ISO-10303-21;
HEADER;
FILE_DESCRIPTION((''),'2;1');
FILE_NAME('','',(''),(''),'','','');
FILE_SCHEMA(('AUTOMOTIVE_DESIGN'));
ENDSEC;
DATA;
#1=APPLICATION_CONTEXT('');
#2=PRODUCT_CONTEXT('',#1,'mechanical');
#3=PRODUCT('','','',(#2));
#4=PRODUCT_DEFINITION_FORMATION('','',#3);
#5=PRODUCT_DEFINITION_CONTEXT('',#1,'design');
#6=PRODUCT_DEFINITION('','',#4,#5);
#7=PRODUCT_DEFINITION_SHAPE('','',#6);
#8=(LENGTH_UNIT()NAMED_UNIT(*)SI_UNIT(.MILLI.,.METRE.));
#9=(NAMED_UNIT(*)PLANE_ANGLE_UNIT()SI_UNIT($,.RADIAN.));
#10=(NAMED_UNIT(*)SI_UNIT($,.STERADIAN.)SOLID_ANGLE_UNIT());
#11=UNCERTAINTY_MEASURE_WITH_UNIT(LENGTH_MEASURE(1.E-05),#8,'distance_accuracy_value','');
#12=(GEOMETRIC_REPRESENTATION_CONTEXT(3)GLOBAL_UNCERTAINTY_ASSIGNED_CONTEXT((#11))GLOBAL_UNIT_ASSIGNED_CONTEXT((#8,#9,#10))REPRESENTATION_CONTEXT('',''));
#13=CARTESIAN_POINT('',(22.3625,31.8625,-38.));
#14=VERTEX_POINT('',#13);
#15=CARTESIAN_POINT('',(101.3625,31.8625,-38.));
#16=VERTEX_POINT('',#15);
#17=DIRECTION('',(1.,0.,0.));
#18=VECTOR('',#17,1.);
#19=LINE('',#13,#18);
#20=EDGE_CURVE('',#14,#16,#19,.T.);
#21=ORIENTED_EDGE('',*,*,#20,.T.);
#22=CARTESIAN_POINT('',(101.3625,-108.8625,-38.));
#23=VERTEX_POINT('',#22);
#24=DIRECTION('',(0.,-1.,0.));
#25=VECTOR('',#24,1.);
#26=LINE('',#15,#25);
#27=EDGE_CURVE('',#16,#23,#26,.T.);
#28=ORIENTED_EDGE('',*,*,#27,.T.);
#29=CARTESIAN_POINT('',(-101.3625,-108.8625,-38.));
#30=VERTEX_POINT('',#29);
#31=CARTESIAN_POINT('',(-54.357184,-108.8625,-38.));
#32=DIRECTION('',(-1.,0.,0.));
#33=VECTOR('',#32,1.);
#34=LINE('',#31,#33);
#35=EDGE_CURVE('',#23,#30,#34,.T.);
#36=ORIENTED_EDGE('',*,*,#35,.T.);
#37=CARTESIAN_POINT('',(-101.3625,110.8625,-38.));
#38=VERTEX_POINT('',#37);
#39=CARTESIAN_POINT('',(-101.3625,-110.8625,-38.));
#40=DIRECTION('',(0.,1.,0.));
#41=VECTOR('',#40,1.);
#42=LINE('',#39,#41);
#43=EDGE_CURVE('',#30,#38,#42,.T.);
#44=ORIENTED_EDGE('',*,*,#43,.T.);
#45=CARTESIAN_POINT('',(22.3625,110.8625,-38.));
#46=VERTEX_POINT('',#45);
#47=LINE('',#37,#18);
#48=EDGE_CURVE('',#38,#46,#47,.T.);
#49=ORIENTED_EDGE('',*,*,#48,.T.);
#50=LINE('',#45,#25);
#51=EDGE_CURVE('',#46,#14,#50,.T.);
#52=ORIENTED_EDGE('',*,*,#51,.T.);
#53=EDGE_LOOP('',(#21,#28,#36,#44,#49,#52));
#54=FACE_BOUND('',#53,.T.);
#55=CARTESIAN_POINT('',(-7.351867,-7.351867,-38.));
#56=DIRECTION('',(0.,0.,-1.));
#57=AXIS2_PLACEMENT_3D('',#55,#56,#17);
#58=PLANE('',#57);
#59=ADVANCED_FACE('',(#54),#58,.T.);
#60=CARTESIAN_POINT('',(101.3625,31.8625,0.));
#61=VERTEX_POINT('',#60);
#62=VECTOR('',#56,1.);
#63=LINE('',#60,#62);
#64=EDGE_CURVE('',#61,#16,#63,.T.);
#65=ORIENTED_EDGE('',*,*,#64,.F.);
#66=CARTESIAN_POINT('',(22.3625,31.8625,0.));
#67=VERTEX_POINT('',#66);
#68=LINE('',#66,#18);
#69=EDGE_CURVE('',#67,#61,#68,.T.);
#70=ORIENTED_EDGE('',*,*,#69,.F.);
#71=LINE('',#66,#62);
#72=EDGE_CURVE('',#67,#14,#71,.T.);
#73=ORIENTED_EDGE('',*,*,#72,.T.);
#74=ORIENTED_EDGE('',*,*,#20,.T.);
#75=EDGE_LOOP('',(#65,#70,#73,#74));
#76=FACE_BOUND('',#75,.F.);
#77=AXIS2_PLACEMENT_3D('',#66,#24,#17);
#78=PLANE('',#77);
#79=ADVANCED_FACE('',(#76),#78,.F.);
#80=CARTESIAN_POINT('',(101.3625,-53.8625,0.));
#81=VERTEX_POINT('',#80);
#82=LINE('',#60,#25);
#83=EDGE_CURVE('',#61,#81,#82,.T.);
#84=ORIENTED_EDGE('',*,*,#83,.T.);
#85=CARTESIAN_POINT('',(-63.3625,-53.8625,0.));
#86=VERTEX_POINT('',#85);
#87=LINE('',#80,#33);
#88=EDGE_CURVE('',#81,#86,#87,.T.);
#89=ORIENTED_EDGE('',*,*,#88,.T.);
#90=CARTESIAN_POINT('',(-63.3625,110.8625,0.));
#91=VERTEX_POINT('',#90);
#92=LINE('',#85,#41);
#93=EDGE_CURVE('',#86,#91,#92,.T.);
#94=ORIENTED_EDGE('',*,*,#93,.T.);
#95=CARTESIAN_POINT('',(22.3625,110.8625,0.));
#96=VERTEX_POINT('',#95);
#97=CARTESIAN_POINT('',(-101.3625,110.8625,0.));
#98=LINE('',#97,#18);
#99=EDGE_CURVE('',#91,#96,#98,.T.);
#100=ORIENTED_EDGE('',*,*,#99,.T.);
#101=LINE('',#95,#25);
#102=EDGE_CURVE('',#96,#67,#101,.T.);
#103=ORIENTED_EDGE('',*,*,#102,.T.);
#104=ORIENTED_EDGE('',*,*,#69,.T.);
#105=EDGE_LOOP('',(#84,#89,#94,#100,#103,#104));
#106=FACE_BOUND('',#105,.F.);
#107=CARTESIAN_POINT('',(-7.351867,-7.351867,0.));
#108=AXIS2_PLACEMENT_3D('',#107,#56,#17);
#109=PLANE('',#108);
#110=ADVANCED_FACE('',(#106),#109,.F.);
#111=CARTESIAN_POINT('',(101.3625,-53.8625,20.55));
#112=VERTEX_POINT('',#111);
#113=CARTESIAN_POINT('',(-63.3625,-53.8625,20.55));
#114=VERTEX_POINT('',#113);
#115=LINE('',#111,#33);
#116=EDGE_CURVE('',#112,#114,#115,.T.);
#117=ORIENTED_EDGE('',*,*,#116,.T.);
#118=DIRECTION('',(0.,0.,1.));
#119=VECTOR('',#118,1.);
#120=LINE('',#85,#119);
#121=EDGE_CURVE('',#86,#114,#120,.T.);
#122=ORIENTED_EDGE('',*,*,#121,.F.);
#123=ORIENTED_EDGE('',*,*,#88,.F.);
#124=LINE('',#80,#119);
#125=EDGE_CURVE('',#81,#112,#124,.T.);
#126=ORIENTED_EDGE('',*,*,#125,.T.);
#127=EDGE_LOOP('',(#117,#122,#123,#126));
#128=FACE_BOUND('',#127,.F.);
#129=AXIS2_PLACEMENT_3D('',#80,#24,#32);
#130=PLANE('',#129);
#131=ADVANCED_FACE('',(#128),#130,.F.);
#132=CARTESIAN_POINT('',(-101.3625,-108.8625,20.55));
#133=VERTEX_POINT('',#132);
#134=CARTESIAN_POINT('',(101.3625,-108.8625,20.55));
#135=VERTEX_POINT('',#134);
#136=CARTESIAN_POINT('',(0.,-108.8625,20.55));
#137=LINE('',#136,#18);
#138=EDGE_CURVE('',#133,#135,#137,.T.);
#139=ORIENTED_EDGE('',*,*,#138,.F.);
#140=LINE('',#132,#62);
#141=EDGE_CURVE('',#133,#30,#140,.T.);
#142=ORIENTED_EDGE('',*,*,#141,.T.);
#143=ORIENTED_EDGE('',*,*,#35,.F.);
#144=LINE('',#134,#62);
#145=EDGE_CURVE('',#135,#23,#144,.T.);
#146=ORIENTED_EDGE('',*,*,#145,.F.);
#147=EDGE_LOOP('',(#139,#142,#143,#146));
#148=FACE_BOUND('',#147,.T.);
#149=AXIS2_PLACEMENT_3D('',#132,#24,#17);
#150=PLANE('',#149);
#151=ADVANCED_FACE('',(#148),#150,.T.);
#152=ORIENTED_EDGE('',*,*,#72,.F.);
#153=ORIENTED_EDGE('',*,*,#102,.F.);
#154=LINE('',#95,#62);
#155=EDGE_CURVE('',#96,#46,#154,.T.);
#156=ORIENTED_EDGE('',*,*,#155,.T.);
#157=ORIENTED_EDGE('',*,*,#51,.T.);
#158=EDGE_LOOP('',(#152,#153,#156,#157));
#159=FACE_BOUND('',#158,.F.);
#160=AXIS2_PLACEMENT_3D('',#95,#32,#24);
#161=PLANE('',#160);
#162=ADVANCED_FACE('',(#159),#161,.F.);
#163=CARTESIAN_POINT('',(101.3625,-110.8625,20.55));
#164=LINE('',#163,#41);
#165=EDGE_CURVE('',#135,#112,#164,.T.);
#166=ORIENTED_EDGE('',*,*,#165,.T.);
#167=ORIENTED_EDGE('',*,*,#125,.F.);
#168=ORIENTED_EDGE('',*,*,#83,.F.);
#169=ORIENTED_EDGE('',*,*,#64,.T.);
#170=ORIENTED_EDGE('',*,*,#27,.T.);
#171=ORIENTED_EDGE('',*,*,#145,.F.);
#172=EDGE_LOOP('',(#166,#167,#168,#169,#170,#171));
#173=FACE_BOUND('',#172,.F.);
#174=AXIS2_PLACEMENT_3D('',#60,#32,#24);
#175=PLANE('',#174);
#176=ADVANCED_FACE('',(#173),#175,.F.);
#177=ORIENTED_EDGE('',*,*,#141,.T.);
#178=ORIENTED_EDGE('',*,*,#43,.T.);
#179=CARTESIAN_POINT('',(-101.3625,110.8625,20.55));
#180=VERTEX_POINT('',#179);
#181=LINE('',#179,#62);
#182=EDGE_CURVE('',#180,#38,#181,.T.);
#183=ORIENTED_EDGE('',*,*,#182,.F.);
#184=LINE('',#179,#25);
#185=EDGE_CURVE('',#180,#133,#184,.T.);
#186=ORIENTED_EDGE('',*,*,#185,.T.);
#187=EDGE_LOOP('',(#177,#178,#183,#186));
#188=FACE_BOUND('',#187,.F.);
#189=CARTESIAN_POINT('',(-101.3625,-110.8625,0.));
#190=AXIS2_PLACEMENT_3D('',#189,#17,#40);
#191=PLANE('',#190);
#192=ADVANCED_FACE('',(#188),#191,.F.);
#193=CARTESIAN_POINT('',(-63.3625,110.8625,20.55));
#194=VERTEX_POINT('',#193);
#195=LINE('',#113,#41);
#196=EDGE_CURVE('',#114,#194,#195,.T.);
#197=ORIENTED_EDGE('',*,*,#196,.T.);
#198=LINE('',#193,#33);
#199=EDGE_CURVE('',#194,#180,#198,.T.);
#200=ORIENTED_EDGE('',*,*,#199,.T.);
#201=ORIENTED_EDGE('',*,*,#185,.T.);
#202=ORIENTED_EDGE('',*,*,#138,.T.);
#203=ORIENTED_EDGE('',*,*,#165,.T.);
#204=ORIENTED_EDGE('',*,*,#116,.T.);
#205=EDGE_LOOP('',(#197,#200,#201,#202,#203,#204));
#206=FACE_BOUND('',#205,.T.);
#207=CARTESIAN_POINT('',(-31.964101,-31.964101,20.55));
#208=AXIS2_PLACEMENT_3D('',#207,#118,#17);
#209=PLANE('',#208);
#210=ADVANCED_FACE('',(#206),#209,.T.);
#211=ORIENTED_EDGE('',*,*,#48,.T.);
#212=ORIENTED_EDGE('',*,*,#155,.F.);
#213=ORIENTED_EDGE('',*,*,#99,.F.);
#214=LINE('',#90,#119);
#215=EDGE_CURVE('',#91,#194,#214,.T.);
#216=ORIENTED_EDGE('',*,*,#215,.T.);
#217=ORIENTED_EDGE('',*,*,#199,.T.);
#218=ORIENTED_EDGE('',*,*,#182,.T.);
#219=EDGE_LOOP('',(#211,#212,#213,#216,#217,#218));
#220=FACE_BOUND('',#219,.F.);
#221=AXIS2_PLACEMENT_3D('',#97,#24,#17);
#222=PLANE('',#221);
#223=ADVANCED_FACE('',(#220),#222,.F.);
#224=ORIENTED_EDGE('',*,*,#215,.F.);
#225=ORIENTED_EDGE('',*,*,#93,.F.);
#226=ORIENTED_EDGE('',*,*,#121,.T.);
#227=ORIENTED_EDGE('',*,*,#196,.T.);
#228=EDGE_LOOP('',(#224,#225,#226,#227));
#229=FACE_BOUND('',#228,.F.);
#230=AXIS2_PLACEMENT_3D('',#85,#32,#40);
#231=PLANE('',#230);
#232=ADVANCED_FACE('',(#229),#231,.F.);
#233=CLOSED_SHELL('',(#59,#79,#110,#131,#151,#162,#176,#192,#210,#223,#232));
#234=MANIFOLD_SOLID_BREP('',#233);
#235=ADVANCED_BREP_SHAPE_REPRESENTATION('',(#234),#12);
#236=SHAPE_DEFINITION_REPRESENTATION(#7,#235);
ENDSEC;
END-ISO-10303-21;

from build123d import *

# Parameters (mm, degrees)
F1_DEPTH = 20.55
F3_DEPTH = 38
F4_W     = 202.725
F4_H     = 2
F5_DEPTH = 58.551


with BuildPart() as f1:
    # F0 (on Top) → F1 (new body)
    with BuildSketch(Plane.XY):
        Polygon((-63.3625, 110.8625), (-101.3625, 110.8625), (-101.3625, -110.8625), (101.3625, -110.8625), (101.3625, -53.8625), (-63.3625, -53.8625), align=None)
    extrude(amount=F1_DEPTH)

    # F2 (on face) → F3 (join)
    with BuildSketch(Plane(origin=(0, 0, 0), x_dir=(1, 0, 0), z_dir=(0, 0, -1))):
        Polygon((101.3625, -31.8625), (101.3625, 110.8625), (-101.3625, 110.8625), (-101.3625, -110.8625), (22.3625, -110.8625), (22.3625, -31.8625), align=None)
    extrude(amount=F3_DEPTH)

    # F4 (on face) → F5 (cut, through all)
    with BuildSketch(Plane.XY.offset(20.55)):
        with Locations((0, -109.8625)):
            Rectangle(F4_W, F4_H)
    extrude(amount=-F5_DEPTH, mode=Mode.SUBTRACT)


solid = f1.part
